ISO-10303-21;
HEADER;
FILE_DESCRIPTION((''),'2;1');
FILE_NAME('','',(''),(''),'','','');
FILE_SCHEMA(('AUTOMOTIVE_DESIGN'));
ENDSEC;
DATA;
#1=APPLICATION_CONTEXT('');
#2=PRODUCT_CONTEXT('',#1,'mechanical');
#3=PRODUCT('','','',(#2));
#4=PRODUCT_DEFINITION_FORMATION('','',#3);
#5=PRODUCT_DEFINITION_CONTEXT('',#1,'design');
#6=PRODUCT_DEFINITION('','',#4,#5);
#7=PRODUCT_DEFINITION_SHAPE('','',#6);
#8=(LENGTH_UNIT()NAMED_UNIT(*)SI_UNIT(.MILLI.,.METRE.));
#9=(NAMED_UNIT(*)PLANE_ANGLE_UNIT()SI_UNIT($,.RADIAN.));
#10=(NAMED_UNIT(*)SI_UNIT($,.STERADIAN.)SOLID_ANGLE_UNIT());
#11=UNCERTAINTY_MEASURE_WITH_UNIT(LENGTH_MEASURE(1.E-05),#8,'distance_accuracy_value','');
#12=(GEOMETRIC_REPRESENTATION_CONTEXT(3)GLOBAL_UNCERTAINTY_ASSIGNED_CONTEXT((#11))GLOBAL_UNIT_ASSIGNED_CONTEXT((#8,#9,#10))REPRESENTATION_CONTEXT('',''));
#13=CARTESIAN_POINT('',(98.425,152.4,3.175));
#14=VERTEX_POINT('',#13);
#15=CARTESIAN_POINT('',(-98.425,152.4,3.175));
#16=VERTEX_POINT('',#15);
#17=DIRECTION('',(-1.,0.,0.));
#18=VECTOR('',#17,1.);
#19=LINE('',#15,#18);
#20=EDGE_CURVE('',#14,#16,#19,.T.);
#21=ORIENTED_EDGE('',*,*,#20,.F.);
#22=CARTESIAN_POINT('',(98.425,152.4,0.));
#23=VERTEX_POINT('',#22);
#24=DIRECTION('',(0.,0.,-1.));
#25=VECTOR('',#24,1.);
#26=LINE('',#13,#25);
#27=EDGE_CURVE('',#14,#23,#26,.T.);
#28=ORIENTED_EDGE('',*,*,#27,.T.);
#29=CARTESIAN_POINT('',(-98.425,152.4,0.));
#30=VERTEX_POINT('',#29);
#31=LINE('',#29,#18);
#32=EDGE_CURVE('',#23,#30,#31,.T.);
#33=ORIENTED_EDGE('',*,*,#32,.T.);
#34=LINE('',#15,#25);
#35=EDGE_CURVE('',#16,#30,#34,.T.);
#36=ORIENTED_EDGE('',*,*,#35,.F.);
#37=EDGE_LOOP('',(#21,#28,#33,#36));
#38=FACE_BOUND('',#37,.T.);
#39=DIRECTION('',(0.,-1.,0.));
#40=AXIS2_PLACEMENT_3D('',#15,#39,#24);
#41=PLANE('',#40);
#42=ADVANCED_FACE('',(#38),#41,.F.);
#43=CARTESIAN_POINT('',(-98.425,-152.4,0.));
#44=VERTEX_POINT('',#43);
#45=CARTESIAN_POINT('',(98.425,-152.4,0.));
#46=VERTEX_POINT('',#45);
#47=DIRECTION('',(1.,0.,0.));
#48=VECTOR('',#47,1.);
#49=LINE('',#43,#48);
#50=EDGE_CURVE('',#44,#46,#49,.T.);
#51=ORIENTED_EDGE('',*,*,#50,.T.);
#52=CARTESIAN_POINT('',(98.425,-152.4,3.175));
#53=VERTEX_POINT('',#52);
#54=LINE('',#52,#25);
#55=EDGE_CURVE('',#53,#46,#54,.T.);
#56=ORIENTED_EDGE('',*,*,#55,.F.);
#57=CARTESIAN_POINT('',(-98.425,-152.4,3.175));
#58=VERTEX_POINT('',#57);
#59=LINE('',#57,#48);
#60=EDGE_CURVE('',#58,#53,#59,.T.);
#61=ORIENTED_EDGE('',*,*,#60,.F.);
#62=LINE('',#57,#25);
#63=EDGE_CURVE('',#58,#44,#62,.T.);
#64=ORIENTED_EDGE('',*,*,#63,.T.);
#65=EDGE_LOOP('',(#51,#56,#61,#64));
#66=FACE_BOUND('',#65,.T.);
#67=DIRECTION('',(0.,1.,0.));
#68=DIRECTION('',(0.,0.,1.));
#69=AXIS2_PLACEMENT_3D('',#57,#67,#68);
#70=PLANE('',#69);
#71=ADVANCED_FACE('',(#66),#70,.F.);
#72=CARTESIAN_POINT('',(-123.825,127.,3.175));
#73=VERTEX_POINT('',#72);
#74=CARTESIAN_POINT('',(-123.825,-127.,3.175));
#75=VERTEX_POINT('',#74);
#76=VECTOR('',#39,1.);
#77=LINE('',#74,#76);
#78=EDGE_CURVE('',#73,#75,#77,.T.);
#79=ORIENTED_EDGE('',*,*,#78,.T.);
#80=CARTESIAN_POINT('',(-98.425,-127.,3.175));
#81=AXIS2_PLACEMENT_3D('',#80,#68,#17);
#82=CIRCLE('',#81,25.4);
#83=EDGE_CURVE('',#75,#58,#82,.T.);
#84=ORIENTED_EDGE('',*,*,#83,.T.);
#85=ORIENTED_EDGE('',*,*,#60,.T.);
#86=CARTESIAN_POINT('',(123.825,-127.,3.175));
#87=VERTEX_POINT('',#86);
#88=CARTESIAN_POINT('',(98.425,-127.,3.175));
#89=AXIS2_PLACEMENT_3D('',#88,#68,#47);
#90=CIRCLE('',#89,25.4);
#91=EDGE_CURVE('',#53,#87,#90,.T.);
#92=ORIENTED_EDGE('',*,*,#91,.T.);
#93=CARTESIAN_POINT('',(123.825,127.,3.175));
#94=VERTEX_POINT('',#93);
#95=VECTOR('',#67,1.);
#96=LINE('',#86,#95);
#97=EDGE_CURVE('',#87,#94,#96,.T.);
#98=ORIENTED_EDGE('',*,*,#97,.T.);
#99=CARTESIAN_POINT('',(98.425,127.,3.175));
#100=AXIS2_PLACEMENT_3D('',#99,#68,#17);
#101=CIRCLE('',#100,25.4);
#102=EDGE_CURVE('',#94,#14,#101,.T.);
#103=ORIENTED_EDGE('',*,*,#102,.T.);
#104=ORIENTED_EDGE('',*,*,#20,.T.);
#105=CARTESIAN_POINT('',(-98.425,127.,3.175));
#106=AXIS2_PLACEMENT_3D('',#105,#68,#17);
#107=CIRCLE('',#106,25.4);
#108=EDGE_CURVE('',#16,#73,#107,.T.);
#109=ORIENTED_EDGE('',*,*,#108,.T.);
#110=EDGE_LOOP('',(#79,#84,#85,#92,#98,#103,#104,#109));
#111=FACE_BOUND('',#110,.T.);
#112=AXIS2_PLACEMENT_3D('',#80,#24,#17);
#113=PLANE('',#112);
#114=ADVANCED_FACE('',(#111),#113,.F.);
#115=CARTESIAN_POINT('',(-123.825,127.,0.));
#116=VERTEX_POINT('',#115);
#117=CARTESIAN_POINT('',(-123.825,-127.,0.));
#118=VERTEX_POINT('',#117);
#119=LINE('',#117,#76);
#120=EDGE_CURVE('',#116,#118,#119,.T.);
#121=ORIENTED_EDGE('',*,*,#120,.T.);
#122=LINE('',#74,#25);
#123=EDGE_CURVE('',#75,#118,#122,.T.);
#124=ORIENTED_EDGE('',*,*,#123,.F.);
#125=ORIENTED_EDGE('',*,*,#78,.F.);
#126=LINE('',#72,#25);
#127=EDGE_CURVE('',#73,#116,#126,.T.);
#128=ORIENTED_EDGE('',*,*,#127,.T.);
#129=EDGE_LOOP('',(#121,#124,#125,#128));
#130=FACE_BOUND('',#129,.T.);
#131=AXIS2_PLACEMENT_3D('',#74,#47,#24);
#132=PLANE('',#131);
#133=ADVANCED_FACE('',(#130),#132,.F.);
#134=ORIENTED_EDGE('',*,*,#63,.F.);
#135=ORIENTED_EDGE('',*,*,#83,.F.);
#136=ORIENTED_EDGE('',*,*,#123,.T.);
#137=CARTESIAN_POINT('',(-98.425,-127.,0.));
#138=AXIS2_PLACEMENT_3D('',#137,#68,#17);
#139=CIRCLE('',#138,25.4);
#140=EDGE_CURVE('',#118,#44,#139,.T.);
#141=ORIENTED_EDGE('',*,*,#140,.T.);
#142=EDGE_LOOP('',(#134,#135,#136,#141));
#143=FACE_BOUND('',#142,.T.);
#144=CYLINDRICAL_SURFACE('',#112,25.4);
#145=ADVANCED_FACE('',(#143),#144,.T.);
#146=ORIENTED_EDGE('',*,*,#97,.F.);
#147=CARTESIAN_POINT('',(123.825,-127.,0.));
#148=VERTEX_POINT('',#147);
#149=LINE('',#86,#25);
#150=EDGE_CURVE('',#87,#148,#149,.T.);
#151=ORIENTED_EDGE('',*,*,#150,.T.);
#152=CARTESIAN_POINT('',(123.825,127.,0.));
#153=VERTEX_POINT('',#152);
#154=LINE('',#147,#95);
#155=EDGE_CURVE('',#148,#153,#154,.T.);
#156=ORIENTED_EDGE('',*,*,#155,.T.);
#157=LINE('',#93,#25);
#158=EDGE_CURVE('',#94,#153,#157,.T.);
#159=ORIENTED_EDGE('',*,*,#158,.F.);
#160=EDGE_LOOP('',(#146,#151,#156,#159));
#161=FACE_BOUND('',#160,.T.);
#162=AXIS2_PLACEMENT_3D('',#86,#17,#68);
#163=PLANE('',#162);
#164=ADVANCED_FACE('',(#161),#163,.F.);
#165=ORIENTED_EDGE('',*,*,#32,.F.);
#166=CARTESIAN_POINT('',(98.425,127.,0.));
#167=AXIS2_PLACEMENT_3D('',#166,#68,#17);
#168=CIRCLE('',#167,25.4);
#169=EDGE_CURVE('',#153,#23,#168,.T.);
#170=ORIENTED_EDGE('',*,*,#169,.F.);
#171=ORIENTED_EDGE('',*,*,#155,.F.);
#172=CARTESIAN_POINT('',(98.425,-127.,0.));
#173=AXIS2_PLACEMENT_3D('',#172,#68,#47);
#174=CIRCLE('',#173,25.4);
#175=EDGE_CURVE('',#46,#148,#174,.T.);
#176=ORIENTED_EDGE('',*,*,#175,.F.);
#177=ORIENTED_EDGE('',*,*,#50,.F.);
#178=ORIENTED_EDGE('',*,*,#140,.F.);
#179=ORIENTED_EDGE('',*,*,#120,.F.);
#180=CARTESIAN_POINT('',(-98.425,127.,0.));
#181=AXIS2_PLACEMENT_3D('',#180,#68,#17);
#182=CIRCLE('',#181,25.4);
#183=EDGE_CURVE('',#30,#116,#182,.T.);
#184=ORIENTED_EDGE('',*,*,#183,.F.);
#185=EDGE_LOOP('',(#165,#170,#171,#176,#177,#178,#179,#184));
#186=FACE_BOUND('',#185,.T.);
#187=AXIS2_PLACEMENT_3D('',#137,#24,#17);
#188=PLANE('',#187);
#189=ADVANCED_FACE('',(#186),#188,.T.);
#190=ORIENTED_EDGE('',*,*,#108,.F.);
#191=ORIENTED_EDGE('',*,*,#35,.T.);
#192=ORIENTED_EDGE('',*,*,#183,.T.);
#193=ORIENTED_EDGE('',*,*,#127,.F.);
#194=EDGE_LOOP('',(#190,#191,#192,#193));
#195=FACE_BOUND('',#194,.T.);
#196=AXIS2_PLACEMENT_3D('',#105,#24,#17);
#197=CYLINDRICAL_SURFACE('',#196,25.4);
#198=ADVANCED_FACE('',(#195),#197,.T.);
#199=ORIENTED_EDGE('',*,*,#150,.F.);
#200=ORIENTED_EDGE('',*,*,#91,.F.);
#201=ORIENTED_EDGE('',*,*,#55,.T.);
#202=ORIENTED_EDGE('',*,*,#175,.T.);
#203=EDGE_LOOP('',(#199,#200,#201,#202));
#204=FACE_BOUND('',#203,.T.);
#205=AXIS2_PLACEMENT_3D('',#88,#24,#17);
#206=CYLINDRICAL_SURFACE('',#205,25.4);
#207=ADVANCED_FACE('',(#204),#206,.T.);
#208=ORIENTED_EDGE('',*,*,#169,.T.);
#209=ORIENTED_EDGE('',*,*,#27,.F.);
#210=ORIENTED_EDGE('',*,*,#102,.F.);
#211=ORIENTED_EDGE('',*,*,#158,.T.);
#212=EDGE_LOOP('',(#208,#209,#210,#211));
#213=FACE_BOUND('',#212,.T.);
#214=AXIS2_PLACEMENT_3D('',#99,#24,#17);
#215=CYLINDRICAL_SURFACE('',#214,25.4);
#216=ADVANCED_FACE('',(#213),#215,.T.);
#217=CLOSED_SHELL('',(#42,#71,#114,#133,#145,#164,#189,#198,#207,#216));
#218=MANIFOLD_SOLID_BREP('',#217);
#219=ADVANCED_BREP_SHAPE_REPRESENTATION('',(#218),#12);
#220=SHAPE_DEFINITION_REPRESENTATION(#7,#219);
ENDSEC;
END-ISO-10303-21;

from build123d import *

# Parameters (mm, degrees)
BOSS_EXTRUDE1_DEPTH = 3.175


with BuildPart() as part:
    # Sketch2 → Boss-Extrude1 (new body)
    with BuildSketch(Plane.XY):
        with BuildLine():
            Line((-98.425, -152.4), (98.425, -152.4))
            ThreePointArc((98.425, -152.4), (116.385512242, -144.960512242), (123.825, -127))
            Line((123.825, -127), (123.825, 127))
            ThreePointArc((123.825, 127), (116.385512242, 144.960512242), (98.425, 152.4))
            Line((98.425, 152.4), (-98.425, 152.4))
            ThreePointArc((-98.425, 152.4), (-116.385512242, 144.960512242), (-123.825, 127))
            Line((-123.825, 127), (-123.825, -127))
            ThreePointArc((-123.825, -127), (-116.385512242, -144.960512242), (-98.425, -152.4))
        make_face()
    extrude(amount=BOSS_EXTRUDE1_DEPTH)


solid = part.part
